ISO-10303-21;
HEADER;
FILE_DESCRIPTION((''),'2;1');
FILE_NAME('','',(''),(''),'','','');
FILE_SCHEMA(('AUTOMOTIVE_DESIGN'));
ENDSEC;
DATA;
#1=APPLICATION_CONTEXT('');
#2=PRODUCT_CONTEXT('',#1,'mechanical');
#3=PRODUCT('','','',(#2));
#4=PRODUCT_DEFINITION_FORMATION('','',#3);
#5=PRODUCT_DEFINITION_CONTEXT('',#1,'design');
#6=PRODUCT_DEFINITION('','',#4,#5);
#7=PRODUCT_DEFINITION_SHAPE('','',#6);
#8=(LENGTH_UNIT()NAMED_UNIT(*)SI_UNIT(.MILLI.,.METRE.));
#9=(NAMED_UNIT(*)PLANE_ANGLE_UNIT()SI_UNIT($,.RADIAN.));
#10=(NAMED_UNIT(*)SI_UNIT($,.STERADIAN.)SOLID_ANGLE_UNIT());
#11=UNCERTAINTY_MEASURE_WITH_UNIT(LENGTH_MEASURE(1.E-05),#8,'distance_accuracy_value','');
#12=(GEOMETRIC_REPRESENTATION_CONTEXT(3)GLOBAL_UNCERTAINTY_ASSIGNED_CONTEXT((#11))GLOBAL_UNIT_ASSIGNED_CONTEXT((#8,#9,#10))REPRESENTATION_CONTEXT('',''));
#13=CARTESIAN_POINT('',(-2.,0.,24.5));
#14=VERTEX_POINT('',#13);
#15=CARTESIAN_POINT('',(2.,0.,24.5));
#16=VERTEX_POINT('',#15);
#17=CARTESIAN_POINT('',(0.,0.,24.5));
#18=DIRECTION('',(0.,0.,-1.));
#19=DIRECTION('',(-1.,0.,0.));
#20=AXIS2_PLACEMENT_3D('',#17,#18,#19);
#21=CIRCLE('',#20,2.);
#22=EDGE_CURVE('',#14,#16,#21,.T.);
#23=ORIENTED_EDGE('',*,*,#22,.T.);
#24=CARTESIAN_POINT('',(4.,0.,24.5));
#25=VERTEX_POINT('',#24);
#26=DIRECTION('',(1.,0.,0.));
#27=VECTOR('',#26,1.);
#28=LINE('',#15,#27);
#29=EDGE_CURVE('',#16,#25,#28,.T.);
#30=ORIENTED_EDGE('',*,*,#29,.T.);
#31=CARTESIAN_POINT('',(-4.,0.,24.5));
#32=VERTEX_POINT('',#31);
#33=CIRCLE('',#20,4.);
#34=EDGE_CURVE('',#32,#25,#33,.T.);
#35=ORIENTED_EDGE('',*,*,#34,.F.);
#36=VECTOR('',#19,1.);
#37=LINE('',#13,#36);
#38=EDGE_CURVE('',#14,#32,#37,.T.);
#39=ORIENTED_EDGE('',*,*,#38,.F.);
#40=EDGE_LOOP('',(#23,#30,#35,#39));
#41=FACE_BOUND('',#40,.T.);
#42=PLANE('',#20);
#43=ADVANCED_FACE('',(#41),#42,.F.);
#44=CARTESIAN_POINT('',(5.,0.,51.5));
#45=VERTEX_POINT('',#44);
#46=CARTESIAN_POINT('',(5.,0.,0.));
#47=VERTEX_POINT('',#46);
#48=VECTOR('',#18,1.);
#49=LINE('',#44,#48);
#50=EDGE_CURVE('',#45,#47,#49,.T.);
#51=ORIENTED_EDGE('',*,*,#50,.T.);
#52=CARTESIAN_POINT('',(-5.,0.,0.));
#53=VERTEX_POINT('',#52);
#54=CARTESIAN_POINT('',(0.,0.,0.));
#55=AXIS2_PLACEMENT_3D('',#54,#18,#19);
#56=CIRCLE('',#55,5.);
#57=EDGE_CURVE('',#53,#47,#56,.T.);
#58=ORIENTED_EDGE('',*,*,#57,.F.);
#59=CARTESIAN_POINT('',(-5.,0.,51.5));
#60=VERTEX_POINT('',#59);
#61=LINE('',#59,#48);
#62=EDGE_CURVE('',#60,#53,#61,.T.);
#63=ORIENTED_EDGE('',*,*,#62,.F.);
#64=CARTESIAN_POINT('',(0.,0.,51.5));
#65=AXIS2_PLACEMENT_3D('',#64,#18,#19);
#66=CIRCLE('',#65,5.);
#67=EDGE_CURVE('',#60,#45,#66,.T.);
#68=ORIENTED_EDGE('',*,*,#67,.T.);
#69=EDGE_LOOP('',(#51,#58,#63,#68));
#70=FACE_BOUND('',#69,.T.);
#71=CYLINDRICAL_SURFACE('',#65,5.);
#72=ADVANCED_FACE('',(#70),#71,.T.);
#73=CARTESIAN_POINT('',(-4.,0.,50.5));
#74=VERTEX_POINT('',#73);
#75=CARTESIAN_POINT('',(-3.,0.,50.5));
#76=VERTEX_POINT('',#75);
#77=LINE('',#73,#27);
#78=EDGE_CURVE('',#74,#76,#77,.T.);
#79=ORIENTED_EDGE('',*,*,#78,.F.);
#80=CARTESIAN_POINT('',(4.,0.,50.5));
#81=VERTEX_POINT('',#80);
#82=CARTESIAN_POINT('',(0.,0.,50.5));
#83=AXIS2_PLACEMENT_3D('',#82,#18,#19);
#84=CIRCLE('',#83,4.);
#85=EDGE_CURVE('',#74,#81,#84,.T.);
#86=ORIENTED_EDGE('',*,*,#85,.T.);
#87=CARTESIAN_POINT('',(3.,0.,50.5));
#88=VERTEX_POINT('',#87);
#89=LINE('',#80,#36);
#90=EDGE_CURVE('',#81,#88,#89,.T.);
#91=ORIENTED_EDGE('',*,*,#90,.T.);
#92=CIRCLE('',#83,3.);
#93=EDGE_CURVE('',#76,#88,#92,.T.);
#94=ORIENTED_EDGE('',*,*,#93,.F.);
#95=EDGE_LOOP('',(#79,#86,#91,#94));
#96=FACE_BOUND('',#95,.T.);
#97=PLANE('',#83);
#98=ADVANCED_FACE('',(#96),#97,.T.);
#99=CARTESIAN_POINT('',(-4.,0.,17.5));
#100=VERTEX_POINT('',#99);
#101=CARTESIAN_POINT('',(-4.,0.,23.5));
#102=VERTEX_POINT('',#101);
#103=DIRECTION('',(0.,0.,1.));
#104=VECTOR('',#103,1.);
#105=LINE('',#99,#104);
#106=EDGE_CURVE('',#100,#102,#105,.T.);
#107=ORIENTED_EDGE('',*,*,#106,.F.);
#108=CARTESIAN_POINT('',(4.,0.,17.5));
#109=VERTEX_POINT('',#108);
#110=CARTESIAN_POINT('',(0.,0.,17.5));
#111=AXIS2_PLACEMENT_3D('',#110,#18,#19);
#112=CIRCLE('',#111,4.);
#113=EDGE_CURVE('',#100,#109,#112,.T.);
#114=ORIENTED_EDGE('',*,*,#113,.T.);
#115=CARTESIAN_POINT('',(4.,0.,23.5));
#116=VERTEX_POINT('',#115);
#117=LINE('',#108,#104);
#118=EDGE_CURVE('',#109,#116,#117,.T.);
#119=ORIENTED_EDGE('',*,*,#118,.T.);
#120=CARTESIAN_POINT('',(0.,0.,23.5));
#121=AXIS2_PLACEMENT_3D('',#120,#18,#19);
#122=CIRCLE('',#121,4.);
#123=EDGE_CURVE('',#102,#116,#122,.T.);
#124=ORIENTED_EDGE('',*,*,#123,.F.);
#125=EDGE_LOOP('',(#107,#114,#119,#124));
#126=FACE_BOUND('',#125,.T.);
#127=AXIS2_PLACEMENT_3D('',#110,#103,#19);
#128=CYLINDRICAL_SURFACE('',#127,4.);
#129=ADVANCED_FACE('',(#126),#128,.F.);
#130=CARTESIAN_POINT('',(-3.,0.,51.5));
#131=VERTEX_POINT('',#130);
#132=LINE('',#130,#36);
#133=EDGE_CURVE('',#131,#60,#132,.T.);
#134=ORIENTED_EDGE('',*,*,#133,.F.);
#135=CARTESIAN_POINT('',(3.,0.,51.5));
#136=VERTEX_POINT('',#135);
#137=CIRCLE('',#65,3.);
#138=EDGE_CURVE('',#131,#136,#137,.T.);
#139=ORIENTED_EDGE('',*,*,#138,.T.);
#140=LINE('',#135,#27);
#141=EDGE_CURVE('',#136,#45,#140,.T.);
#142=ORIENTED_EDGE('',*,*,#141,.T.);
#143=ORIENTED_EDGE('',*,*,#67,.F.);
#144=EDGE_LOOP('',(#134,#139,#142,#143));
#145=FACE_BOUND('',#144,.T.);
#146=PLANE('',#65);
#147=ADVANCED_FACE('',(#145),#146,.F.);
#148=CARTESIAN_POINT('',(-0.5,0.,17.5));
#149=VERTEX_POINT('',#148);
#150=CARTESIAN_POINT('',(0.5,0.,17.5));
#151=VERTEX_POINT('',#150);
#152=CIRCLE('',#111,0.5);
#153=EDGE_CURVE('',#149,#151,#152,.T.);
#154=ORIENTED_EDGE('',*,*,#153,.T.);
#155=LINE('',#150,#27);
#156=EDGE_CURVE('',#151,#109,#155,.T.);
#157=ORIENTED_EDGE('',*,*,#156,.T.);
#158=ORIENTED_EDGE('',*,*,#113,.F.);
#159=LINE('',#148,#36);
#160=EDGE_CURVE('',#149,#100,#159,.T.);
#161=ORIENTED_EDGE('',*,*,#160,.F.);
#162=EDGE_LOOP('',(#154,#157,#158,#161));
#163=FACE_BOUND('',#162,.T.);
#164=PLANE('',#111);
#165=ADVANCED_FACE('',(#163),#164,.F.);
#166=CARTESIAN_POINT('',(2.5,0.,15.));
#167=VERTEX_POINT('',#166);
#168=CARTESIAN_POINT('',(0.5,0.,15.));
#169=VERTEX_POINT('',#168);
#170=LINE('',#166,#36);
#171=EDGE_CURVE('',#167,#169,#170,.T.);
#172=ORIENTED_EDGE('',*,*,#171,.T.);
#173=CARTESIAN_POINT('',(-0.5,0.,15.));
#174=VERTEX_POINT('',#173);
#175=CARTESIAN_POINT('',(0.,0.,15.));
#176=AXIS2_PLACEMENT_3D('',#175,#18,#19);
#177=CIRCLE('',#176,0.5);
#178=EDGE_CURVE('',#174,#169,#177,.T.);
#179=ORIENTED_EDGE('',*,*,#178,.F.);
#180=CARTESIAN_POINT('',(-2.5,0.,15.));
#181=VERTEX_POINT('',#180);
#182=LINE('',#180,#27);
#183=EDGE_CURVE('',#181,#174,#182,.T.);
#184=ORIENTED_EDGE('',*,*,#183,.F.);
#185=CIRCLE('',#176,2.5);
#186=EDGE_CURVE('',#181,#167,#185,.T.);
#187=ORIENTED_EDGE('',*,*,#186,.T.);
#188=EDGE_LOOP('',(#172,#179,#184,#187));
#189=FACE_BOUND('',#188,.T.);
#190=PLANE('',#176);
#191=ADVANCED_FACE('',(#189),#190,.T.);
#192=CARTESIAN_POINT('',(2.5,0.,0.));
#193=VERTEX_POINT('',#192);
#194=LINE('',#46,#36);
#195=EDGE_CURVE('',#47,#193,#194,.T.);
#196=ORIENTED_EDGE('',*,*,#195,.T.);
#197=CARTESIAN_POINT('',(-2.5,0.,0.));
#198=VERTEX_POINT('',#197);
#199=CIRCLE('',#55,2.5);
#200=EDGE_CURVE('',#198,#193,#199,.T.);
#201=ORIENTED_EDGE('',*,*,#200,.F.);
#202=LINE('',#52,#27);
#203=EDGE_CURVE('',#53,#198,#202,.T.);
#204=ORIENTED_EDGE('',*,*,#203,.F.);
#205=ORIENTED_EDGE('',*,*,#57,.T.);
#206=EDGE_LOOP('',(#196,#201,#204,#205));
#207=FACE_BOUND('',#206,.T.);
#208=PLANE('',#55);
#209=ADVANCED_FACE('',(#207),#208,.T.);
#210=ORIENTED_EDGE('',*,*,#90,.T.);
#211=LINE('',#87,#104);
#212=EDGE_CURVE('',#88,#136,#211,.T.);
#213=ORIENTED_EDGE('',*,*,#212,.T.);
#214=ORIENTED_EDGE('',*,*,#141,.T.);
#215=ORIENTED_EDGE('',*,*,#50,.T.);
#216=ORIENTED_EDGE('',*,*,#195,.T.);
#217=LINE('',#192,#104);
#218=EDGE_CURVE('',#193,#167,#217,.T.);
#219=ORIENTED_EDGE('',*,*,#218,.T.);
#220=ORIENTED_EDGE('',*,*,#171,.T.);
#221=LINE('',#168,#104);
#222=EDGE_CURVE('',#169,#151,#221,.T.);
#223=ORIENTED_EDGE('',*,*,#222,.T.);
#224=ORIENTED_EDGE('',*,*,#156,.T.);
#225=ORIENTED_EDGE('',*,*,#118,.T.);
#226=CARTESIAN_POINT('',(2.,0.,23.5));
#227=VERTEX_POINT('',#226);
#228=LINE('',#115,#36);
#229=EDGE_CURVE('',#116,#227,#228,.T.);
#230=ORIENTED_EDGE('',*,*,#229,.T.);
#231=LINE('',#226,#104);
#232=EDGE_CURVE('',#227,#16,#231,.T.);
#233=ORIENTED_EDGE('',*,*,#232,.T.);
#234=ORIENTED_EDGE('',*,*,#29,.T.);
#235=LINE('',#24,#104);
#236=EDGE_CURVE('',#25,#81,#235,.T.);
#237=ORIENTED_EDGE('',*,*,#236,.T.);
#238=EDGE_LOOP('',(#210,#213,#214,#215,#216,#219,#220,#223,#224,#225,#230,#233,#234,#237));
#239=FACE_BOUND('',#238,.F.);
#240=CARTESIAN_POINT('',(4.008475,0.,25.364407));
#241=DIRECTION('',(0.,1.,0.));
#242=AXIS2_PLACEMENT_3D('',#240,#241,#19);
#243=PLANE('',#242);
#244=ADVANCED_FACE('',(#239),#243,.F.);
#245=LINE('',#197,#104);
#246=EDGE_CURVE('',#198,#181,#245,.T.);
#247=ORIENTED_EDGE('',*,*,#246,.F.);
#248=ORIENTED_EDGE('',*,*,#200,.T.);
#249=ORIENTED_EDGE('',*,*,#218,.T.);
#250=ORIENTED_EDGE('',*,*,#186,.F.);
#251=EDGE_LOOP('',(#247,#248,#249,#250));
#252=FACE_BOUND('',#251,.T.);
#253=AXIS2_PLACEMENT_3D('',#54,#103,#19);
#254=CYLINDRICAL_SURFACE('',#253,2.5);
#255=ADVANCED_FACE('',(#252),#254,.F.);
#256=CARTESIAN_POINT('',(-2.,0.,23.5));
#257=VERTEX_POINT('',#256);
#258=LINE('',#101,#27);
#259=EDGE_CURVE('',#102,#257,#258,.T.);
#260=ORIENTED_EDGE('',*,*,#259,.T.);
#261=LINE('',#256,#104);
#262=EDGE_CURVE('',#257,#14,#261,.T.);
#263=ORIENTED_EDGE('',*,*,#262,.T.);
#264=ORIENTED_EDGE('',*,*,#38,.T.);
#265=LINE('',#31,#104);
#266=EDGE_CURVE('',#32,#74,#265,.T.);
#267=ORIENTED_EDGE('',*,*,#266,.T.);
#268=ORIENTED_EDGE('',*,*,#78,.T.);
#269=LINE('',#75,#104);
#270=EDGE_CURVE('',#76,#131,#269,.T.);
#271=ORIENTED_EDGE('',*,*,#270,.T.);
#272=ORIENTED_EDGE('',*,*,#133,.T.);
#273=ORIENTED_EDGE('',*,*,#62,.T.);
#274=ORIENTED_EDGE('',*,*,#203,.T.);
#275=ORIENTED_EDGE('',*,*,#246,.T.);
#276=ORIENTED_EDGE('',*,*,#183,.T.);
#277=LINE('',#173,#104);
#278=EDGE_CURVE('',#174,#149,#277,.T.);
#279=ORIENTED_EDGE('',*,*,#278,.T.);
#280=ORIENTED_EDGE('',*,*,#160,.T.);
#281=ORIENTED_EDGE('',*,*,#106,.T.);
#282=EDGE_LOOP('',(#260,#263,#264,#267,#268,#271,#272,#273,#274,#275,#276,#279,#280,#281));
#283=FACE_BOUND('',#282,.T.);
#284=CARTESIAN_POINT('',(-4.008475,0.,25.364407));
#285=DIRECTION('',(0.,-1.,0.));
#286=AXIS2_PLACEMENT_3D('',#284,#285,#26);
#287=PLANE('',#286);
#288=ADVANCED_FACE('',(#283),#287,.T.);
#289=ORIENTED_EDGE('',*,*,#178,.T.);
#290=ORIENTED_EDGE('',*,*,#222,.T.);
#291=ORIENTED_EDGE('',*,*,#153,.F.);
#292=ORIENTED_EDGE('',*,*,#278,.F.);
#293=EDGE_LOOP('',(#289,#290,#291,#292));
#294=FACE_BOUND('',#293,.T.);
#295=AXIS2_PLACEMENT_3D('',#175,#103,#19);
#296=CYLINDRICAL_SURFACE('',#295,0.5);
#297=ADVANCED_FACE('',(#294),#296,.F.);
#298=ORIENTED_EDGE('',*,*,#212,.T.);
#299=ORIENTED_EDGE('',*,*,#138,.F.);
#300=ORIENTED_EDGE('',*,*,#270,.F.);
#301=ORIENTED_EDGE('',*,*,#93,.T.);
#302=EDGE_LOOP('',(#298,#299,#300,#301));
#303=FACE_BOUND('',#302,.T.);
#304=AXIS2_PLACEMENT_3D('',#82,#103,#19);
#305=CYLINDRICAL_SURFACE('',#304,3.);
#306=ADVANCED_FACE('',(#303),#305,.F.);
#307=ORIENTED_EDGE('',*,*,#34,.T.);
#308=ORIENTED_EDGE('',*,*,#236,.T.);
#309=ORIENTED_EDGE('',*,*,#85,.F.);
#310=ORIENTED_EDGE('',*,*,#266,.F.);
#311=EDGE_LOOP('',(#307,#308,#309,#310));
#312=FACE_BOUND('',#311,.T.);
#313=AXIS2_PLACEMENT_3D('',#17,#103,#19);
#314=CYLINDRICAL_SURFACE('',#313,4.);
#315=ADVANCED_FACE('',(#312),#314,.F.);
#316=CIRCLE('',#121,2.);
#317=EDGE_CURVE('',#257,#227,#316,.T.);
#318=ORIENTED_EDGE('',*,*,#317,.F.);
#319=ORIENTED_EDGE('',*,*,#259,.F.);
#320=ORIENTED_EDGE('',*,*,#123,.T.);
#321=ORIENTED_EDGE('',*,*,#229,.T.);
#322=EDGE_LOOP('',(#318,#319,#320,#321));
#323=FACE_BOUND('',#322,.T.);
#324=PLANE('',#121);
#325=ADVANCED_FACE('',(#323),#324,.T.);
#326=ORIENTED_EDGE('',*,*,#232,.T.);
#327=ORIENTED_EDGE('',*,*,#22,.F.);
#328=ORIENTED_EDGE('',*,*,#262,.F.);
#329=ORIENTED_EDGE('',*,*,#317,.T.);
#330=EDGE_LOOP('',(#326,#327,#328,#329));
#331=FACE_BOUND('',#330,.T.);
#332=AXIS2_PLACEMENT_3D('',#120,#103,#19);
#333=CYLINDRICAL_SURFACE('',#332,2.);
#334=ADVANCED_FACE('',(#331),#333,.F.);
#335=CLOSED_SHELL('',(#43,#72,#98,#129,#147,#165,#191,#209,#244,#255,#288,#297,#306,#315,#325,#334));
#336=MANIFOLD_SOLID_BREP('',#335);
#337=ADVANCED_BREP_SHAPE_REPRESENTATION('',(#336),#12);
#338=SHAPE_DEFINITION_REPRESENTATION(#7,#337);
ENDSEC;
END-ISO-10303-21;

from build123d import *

# Parameters (mm, degrees)
F1_ANGLE = 180


with BuildPart() as f1:
    # F0 (on Front) → F1 (revolve)
    with BuildSketch(Plane.XZ):
        Polygon((-4, 50.5), (-3, 50.5), (-3, 51.5), (-5, 51.5), (-5, 0), (-2.5, 0), (-2.5, 15), (-0.5, 15), (-0.5, 17.5), (-4, 17.5), (-4, 23.5), (-2, 23.5), (-2, 24.5), (-4, 24.5), align=None)
    revolve(axis=Axis((0, 0, 15), (0, 0, -1)), revolution_arc=F1_ANGLE)


solid = f1.part
